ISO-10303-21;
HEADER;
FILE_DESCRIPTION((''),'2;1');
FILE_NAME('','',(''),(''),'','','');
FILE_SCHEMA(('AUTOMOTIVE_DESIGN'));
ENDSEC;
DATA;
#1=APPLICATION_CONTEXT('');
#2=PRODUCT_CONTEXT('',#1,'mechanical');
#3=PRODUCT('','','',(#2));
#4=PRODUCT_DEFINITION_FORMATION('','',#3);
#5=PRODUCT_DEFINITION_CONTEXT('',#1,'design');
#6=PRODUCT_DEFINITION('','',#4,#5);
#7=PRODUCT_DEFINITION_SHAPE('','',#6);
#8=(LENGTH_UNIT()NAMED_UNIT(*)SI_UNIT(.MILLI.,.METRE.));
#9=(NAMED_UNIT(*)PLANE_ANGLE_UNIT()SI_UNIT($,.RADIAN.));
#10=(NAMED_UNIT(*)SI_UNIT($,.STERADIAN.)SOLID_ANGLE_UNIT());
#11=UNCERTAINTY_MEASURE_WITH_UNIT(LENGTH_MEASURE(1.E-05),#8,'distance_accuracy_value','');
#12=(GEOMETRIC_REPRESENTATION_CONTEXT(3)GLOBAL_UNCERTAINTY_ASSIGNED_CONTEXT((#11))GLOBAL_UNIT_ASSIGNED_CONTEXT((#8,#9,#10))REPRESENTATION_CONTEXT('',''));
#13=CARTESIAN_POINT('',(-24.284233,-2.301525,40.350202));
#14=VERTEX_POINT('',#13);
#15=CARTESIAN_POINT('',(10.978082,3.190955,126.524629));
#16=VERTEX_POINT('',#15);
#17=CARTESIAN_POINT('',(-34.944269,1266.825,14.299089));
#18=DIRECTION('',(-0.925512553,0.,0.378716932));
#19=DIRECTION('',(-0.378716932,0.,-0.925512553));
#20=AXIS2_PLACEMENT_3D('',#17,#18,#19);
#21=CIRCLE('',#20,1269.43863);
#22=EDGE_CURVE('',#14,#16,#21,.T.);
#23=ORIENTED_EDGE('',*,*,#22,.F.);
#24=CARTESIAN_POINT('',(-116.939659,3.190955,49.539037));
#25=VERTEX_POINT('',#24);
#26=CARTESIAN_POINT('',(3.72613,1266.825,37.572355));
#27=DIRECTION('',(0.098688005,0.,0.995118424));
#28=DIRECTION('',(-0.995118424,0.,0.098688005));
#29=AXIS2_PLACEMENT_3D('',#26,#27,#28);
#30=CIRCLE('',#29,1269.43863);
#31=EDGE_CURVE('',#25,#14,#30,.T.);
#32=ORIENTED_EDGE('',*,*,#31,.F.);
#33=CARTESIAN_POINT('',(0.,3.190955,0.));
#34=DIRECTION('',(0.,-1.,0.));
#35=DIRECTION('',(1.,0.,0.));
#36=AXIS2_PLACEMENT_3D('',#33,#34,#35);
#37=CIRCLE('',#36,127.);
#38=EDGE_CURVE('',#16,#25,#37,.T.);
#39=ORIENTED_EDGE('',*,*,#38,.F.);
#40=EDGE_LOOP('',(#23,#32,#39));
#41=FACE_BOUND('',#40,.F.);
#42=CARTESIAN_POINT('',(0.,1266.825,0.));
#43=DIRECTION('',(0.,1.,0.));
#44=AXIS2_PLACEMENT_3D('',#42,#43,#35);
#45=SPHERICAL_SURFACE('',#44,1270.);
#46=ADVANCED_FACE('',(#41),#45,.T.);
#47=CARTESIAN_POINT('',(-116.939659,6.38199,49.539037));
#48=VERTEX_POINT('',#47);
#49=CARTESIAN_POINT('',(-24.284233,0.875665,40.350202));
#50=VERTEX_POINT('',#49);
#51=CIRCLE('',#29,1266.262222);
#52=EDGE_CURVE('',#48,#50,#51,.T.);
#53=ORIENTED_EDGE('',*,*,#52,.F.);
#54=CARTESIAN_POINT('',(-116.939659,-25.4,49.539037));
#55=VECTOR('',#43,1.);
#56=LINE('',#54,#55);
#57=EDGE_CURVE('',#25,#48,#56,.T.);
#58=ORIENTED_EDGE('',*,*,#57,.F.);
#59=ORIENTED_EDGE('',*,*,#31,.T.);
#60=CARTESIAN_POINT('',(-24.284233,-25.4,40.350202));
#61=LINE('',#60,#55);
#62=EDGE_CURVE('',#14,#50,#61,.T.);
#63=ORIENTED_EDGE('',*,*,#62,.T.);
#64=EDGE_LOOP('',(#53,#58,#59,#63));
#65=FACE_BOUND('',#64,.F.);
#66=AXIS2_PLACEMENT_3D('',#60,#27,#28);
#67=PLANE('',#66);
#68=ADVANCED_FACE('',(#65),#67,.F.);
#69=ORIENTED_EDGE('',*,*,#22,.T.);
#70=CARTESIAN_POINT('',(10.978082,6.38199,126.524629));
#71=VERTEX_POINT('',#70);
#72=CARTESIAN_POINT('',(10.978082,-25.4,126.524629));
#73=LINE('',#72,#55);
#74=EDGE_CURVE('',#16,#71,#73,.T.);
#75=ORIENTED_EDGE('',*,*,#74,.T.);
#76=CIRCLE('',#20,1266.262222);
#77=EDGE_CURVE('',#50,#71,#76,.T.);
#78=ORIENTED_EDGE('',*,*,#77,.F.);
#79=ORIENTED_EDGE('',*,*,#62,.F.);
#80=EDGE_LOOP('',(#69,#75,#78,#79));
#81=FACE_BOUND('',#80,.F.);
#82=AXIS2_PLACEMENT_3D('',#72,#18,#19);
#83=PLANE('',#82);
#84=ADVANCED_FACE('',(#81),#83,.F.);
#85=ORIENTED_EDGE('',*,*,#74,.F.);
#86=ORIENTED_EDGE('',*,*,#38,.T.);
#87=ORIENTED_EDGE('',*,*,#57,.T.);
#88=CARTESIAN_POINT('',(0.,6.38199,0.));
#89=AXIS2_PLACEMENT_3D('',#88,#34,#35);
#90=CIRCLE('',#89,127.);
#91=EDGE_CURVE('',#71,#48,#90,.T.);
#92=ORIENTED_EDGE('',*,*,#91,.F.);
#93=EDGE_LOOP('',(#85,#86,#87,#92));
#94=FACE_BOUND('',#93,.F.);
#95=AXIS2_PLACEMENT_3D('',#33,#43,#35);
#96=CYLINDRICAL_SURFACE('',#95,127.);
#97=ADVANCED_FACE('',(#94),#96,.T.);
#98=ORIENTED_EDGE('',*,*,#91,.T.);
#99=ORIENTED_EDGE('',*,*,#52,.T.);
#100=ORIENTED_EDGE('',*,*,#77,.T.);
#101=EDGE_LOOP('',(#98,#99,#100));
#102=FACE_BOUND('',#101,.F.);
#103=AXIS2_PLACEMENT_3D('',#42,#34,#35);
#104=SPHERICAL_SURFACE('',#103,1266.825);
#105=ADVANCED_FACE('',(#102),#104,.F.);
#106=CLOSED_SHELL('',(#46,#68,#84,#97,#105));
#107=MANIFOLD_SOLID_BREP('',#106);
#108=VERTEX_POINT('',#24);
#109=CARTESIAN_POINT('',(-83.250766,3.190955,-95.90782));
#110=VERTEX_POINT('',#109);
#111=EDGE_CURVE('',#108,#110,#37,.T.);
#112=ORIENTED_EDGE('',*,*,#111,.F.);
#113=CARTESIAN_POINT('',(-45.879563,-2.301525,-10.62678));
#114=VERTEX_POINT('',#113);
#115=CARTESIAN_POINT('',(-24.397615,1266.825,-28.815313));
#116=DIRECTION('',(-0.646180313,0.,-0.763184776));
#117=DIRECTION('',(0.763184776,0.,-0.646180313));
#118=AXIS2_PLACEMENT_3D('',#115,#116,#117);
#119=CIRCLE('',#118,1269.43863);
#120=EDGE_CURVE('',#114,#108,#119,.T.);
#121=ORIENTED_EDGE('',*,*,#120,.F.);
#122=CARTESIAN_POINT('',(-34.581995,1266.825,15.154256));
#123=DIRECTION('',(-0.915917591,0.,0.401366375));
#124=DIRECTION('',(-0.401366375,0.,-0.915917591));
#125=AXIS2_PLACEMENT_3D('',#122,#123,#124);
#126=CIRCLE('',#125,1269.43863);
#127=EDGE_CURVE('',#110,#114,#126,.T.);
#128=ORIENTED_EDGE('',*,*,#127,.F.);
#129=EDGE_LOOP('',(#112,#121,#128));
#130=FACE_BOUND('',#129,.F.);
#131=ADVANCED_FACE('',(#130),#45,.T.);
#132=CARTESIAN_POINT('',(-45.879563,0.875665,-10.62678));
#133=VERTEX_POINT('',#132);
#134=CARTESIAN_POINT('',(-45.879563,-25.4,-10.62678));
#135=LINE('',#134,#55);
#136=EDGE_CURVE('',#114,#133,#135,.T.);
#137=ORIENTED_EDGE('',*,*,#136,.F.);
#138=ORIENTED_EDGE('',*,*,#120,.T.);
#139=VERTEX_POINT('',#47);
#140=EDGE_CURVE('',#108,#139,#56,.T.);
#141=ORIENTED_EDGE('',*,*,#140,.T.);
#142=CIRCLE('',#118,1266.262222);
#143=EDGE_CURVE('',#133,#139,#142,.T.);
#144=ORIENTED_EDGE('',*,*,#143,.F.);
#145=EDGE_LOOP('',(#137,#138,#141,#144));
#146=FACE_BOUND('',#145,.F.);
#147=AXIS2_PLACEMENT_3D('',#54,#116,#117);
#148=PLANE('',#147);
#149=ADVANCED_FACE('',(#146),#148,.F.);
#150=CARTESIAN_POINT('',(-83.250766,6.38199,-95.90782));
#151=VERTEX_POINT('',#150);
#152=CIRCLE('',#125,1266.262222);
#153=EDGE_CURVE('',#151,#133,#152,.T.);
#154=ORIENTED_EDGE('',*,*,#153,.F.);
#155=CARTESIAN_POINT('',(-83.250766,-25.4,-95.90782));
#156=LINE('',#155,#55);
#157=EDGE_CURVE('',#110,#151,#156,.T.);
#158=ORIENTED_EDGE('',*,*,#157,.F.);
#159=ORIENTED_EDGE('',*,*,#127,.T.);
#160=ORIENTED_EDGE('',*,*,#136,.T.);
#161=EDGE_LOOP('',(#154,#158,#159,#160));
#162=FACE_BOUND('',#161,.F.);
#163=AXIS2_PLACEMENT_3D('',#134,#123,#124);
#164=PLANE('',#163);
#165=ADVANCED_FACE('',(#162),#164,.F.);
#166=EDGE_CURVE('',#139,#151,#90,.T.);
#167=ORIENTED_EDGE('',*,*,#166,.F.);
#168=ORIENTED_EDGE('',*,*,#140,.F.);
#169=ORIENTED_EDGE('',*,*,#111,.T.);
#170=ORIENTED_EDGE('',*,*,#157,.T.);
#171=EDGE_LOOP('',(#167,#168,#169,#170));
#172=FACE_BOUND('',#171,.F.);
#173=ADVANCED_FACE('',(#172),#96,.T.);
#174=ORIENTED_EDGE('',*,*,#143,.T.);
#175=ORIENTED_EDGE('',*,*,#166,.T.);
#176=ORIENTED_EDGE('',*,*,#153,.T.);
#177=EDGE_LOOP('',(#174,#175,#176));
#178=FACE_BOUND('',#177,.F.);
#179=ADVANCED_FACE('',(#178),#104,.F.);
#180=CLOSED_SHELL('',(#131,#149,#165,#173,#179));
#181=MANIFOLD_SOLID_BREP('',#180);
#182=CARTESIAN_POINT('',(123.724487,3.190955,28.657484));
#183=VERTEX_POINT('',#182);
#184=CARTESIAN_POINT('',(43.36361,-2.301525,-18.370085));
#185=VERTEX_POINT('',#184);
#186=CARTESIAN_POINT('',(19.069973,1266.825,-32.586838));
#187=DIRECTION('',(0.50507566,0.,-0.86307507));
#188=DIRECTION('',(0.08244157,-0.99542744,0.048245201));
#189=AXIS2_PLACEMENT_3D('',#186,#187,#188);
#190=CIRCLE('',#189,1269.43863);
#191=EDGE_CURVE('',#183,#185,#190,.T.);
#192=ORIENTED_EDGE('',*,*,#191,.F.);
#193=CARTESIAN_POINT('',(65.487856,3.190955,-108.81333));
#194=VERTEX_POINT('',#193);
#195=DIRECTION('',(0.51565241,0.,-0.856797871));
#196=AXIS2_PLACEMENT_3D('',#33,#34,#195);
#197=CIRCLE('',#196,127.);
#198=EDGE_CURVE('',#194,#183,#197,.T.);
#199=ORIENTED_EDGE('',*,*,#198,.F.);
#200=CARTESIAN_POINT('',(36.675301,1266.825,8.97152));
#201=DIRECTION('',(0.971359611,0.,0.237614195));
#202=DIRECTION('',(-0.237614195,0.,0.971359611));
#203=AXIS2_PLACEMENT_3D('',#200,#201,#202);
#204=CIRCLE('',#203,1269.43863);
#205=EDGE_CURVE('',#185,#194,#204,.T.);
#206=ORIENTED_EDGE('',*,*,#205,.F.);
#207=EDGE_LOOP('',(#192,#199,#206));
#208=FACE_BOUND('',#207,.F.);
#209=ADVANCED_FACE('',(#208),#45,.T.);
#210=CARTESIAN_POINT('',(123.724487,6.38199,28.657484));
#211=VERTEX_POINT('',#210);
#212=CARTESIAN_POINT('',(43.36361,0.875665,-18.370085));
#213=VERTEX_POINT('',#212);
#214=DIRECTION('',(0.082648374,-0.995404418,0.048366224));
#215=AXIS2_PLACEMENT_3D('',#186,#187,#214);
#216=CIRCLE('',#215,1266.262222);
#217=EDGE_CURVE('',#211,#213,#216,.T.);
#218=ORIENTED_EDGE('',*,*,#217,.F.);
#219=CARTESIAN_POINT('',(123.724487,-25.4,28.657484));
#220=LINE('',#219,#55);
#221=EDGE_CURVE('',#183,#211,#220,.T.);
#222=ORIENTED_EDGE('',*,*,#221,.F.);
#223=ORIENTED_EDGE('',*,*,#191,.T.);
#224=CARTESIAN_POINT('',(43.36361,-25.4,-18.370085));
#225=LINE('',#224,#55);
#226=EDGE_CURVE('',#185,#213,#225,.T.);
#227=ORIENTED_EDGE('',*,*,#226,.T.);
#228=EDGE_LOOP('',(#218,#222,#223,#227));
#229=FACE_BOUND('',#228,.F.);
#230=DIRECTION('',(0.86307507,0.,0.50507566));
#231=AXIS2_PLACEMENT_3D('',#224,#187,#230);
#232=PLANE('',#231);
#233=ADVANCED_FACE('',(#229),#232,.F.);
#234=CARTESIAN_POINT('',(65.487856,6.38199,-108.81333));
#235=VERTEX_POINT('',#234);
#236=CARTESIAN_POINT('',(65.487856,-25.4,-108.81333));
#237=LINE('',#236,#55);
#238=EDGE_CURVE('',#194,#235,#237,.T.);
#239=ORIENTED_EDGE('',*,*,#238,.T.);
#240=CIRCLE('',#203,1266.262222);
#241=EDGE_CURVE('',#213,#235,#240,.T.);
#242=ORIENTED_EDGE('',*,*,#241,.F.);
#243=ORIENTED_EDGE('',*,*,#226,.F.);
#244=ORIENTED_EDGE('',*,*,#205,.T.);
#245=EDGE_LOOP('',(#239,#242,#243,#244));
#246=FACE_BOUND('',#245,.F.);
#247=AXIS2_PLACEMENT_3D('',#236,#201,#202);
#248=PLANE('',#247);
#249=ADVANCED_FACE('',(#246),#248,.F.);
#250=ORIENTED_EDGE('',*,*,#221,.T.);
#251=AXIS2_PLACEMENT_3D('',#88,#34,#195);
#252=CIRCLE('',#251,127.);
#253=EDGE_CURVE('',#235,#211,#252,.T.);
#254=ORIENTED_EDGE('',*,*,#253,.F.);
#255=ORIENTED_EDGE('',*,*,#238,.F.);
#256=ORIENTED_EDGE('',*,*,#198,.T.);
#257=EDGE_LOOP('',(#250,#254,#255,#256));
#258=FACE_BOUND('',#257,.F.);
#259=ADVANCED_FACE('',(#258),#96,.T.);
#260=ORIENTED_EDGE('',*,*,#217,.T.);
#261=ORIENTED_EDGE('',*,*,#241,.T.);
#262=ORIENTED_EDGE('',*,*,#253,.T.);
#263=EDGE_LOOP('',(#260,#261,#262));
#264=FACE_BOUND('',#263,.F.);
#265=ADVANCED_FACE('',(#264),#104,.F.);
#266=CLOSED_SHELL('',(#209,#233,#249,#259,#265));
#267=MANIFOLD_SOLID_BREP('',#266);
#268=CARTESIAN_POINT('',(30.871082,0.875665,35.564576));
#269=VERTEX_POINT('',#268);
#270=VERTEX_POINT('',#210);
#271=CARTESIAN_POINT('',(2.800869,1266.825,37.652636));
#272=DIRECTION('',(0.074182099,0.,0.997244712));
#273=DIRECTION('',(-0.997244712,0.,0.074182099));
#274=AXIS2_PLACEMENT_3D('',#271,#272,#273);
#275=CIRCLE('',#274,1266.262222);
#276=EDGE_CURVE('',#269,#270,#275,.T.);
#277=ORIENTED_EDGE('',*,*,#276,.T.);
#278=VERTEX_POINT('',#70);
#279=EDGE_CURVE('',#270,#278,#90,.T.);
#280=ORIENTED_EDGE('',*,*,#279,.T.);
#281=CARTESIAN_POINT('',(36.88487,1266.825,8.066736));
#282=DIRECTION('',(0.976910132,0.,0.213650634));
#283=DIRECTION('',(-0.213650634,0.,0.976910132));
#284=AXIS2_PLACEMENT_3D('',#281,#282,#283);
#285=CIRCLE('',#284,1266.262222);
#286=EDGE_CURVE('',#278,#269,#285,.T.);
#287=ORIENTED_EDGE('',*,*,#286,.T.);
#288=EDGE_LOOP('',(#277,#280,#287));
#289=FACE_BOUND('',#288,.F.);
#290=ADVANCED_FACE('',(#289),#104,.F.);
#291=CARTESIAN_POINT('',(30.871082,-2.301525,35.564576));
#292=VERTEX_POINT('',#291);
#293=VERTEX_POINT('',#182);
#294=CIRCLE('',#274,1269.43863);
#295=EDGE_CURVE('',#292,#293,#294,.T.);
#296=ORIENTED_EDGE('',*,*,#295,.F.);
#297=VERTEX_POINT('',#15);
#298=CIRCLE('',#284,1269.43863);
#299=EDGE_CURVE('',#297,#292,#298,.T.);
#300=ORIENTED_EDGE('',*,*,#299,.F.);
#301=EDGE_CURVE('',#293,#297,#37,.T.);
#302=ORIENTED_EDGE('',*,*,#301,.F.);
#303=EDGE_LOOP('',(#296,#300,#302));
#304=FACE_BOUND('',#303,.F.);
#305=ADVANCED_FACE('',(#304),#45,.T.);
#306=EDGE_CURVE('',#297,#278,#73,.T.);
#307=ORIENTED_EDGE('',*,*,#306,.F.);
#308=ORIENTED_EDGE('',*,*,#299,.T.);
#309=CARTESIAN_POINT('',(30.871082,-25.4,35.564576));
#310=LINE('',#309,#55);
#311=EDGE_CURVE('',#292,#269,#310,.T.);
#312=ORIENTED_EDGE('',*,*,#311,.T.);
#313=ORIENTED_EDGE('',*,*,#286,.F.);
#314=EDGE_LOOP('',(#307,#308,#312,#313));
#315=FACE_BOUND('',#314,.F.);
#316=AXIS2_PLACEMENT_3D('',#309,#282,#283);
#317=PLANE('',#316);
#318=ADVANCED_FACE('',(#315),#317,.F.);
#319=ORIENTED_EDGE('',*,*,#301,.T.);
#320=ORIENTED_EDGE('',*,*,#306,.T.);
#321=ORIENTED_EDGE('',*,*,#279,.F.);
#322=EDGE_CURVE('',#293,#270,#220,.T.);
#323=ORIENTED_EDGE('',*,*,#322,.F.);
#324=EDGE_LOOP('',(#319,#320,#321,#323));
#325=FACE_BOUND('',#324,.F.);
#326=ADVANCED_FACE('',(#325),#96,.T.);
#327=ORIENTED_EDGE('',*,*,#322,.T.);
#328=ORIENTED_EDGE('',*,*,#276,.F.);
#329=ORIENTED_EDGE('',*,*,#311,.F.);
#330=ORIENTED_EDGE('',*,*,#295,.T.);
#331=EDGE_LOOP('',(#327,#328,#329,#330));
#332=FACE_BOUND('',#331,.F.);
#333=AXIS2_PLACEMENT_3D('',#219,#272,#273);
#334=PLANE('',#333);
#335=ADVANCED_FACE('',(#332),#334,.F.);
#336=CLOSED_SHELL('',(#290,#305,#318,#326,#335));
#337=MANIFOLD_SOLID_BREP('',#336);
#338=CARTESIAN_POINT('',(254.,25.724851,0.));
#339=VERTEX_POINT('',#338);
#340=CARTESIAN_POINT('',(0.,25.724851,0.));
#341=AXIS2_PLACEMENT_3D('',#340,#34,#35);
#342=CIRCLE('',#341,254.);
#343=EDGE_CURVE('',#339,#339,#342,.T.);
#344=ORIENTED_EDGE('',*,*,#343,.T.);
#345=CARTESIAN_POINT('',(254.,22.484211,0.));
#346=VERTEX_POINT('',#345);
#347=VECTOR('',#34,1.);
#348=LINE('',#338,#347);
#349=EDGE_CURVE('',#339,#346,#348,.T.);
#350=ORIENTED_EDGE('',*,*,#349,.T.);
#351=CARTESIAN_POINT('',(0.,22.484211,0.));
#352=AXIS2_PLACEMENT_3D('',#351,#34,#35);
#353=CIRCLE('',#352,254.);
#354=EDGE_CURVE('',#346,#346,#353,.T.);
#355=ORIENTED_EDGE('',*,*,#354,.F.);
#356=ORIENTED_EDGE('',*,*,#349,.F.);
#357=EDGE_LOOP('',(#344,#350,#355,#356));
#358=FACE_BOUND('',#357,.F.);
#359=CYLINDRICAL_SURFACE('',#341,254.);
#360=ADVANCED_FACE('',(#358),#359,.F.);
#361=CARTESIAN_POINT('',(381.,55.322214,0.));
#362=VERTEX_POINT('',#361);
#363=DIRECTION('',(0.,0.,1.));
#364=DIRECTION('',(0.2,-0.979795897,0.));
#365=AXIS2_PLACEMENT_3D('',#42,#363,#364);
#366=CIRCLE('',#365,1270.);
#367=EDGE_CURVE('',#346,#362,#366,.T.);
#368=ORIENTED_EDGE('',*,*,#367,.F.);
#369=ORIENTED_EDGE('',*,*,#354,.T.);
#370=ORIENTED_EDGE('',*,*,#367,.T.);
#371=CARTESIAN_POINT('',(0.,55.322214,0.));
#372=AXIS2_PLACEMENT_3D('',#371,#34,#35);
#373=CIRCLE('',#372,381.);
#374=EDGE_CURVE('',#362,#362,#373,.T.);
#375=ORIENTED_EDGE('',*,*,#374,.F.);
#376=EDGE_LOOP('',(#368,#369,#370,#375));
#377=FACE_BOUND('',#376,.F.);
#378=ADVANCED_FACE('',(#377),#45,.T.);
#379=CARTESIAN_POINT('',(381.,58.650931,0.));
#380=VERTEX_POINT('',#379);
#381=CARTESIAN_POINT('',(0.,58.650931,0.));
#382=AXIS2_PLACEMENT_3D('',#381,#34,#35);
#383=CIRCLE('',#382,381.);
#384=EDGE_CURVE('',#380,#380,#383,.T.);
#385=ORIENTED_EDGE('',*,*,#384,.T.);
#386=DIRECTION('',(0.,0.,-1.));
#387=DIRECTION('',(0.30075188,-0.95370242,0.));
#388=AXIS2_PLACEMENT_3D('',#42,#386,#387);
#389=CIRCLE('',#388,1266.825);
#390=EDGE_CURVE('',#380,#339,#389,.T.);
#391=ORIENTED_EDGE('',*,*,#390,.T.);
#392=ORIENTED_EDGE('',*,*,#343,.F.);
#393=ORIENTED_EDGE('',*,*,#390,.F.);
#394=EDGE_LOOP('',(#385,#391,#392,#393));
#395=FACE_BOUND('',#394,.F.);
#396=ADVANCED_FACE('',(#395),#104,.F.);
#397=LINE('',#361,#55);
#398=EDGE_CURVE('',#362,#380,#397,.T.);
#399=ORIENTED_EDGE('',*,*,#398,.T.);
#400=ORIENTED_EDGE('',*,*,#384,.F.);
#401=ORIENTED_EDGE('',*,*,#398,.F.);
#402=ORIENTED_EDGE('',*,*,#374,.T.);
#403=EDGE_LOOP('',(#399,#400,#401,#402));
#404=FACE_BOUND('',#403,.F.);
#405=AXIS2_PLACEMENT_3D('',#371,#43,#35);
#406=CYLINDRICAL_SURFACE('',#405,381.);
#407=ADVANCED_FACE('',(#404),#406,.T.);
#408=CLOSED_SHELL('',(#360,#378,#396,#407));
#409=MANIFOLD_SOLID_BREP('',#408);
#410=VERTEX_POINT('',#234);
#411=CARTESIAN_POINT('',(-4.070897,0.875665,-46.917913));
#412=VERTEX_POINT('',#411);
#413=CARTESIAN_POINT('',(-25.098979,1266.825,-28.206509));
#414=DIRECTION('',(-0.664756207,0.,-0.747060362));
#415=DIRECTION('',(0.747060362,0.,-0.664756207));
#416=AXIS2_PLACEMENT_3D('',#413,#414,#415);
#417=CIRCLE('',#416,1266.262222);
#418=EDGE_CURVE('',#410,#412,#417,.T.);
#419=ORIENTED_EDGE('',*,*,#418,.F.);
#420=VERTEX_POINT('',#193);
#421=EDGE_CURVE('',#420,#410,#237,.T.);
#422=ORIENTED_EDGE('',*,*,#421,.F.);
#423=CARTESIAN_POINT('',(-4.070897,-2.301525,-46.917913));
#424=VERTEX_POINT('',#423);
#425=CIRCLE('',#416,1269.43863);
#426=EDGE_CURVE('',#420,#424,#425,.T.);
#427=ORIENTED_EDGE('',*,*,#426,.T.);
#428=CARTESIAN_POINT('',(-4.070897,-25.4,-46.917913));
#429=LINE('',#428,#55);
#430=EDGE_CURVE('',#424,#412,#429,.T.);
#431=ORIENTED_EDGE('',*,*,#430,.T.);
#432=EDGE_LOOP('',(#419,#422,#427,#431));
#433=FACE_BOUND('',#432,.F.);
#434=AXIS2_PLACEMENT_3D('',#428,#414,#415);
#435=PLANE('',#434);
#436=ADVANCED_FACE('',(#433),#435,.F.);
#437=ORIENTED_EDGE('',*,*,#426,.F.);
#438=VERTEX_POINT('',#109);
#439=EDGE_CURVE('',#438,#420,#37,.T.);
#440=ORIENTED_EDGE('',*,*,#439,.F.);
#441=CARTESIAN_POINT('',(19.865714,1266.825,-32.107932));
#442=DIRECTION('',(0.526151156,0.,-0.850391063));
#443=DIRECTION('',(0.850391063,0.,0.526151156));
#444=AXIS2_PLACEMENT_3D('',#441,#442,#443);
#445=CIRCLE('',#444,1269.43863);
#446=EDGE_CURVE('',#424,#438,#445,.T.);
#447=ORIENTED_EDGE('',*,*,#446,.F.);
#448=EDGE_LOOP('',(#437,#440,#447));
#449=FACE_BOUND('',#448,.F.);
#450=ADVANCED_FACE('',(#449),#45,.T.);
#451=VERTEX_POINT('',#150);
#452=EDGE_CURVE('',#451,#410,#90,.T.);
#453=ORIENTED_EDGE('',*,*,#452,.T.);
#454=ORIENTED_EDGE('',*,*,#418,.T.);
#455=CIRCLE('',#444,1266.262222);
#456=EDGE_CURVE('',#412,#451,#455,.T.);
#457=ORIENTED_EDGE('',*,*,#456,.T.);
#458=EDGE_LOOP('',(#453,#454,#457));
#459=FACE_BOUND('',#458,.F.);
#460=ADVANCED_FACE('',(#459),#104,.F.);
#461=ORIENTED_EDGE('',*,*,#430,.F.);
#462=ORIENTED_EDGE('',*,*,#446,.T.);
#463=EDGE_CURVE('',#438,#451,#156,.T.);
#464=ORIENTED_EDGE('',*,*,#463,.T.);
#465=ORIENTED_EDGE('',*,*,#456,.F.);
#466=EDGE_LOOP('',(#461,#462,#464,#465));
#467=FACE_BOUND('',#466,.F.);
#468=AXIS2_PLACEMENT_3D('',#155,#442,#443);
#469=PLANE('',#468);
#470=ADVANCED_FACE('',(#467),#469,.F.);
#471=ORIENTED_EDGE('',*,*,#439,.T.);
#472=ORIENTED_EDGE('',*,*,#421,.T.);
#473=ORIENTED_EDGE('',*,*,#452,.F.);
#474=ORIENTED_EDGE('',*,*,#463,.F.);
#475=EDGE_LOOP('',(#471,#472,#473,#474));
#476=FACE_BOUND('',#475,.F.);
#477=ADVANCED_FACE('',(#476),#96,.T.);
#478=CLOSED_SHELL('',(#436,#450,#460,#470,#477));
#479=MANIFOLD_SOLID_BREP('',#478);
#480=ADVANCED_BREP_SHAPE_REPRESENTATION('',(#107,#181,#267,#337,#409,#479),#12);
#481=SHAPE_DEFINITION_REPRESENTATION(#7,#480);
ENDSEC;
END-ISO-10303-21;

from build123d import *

# Parameters (mm, degrees)
F4_DEPTH = 84.0519311569


with BuildPart() as f1:
    # F0 (on Top) → F1 (revolve)
    with BuildSketch(Plane.XY):
        with BuildLine():
            ThreePointArc((254, 22.4842106661), (317.9242576763, 37.2624085143), (381, 55.3222142005))
            Line((381, 55.3222142005), (381, 58.6509311569))
            ThreePointArc((381, 58.6509311569), (317.9265350577, 40.5426919929), (254, 25.7248506869))
            Line((254, 25.7248506869), (254, 22.4842106661))
        make_face()
    revolve(axis=Axis((0, 0, 0), (0, -1, 0)))


with BuildPart() as f1b:
    # F0 (on Top) → F1, piece 2 (revolve)
    with BuildSketch(Plane.XY):
        with BuildLine():
            Line((0, 0), (0, -3.175))
            ThreePointArc((0, -3.175), (63.5797243259, -1.5825128501), (127, 3.1909548746))
            Line((127, 3.1909548746), (127, 6.3819903304))
            ThreePointArc((127, 6.3819903304), (63.5801262199, 1.5965035714), (0, 0))
        make_face()
    revolve(axis=Axis((0, 0, 0), (0, -1, 0)))

    # F3 (on offset) → F4 (cut, through all)
    with BuildSketch(Plane.XZ.offset(25.4)):
        Polygon((43.3636103, -18.3700851417), (37.1173459995, 8.5972452537), (30.871081699, 35.564575649), (3.2934245792, 37.9573886686), (-24.2842325405, 40.3502016882), (-35.0818976702, 14.8617110677), (-45.8795627998, -10.6267795528), (-24.9752297293, -28.7723460978), (-4.0708966587, -46.9179126428), (19.6463568206, -32.6439988922), align=None)
        Polygon((30.871081699, 35.564575649), (10.9780819308, 126.5246288954), (3.2934245792, 37.9573886686), align=None)
        Polygon((3.2934245792, 37.9573886686), (10.9780819308, 126.5246288954), (-24.2842325405, 40.3502016882), align=None)
        Polygon((-24.2842325405, 40.3502016882), (-116.9396589005, 49.5390368924), (-35.0818976702, 14.8617110677), align=None)
        Polygon((-35.0818976702, 14.8617110677), (-116.9396589005, 49.5390368924), (-45.8795627998, -10.6267795528), align=None)
        Polygon((-45.8795627998, -10.6267795528), (-83.2507657642, -95.907820326), (-24.9752297293, -28.7723460978), align=None)
        Polygon((-24.9752297293, -28.7723460978), (-83.2507657642, -95.907820326), (-4.0708966587, -46.9179126428), align=None)
        Polygon((19.6463568206, -32.6439988922), (65.4878560688, -108.8133296408), (43.3636103, -18.3700851417), align=None)
        Polygon((-4.0708966587, -46.9179126428), (65.4878560688, -108.8133296408), (19.6463568206, -32.6439988922), align=None)
        Polygon((37.1173459995, 8.5972452537), (123.7244866651, 28.6574841789), (30.871081699, 35.564575649), align=None)
        Polygon((43.3636103, -18.3700851417), (123.7244866651, 28.6574841789), (37.1173459995, 8.5972452537), align=None)
    extrude(amount=-F4_DEPTH, mode=Mode.SUBTRACT)


solid = Compound([f1.part, f1b.part])
